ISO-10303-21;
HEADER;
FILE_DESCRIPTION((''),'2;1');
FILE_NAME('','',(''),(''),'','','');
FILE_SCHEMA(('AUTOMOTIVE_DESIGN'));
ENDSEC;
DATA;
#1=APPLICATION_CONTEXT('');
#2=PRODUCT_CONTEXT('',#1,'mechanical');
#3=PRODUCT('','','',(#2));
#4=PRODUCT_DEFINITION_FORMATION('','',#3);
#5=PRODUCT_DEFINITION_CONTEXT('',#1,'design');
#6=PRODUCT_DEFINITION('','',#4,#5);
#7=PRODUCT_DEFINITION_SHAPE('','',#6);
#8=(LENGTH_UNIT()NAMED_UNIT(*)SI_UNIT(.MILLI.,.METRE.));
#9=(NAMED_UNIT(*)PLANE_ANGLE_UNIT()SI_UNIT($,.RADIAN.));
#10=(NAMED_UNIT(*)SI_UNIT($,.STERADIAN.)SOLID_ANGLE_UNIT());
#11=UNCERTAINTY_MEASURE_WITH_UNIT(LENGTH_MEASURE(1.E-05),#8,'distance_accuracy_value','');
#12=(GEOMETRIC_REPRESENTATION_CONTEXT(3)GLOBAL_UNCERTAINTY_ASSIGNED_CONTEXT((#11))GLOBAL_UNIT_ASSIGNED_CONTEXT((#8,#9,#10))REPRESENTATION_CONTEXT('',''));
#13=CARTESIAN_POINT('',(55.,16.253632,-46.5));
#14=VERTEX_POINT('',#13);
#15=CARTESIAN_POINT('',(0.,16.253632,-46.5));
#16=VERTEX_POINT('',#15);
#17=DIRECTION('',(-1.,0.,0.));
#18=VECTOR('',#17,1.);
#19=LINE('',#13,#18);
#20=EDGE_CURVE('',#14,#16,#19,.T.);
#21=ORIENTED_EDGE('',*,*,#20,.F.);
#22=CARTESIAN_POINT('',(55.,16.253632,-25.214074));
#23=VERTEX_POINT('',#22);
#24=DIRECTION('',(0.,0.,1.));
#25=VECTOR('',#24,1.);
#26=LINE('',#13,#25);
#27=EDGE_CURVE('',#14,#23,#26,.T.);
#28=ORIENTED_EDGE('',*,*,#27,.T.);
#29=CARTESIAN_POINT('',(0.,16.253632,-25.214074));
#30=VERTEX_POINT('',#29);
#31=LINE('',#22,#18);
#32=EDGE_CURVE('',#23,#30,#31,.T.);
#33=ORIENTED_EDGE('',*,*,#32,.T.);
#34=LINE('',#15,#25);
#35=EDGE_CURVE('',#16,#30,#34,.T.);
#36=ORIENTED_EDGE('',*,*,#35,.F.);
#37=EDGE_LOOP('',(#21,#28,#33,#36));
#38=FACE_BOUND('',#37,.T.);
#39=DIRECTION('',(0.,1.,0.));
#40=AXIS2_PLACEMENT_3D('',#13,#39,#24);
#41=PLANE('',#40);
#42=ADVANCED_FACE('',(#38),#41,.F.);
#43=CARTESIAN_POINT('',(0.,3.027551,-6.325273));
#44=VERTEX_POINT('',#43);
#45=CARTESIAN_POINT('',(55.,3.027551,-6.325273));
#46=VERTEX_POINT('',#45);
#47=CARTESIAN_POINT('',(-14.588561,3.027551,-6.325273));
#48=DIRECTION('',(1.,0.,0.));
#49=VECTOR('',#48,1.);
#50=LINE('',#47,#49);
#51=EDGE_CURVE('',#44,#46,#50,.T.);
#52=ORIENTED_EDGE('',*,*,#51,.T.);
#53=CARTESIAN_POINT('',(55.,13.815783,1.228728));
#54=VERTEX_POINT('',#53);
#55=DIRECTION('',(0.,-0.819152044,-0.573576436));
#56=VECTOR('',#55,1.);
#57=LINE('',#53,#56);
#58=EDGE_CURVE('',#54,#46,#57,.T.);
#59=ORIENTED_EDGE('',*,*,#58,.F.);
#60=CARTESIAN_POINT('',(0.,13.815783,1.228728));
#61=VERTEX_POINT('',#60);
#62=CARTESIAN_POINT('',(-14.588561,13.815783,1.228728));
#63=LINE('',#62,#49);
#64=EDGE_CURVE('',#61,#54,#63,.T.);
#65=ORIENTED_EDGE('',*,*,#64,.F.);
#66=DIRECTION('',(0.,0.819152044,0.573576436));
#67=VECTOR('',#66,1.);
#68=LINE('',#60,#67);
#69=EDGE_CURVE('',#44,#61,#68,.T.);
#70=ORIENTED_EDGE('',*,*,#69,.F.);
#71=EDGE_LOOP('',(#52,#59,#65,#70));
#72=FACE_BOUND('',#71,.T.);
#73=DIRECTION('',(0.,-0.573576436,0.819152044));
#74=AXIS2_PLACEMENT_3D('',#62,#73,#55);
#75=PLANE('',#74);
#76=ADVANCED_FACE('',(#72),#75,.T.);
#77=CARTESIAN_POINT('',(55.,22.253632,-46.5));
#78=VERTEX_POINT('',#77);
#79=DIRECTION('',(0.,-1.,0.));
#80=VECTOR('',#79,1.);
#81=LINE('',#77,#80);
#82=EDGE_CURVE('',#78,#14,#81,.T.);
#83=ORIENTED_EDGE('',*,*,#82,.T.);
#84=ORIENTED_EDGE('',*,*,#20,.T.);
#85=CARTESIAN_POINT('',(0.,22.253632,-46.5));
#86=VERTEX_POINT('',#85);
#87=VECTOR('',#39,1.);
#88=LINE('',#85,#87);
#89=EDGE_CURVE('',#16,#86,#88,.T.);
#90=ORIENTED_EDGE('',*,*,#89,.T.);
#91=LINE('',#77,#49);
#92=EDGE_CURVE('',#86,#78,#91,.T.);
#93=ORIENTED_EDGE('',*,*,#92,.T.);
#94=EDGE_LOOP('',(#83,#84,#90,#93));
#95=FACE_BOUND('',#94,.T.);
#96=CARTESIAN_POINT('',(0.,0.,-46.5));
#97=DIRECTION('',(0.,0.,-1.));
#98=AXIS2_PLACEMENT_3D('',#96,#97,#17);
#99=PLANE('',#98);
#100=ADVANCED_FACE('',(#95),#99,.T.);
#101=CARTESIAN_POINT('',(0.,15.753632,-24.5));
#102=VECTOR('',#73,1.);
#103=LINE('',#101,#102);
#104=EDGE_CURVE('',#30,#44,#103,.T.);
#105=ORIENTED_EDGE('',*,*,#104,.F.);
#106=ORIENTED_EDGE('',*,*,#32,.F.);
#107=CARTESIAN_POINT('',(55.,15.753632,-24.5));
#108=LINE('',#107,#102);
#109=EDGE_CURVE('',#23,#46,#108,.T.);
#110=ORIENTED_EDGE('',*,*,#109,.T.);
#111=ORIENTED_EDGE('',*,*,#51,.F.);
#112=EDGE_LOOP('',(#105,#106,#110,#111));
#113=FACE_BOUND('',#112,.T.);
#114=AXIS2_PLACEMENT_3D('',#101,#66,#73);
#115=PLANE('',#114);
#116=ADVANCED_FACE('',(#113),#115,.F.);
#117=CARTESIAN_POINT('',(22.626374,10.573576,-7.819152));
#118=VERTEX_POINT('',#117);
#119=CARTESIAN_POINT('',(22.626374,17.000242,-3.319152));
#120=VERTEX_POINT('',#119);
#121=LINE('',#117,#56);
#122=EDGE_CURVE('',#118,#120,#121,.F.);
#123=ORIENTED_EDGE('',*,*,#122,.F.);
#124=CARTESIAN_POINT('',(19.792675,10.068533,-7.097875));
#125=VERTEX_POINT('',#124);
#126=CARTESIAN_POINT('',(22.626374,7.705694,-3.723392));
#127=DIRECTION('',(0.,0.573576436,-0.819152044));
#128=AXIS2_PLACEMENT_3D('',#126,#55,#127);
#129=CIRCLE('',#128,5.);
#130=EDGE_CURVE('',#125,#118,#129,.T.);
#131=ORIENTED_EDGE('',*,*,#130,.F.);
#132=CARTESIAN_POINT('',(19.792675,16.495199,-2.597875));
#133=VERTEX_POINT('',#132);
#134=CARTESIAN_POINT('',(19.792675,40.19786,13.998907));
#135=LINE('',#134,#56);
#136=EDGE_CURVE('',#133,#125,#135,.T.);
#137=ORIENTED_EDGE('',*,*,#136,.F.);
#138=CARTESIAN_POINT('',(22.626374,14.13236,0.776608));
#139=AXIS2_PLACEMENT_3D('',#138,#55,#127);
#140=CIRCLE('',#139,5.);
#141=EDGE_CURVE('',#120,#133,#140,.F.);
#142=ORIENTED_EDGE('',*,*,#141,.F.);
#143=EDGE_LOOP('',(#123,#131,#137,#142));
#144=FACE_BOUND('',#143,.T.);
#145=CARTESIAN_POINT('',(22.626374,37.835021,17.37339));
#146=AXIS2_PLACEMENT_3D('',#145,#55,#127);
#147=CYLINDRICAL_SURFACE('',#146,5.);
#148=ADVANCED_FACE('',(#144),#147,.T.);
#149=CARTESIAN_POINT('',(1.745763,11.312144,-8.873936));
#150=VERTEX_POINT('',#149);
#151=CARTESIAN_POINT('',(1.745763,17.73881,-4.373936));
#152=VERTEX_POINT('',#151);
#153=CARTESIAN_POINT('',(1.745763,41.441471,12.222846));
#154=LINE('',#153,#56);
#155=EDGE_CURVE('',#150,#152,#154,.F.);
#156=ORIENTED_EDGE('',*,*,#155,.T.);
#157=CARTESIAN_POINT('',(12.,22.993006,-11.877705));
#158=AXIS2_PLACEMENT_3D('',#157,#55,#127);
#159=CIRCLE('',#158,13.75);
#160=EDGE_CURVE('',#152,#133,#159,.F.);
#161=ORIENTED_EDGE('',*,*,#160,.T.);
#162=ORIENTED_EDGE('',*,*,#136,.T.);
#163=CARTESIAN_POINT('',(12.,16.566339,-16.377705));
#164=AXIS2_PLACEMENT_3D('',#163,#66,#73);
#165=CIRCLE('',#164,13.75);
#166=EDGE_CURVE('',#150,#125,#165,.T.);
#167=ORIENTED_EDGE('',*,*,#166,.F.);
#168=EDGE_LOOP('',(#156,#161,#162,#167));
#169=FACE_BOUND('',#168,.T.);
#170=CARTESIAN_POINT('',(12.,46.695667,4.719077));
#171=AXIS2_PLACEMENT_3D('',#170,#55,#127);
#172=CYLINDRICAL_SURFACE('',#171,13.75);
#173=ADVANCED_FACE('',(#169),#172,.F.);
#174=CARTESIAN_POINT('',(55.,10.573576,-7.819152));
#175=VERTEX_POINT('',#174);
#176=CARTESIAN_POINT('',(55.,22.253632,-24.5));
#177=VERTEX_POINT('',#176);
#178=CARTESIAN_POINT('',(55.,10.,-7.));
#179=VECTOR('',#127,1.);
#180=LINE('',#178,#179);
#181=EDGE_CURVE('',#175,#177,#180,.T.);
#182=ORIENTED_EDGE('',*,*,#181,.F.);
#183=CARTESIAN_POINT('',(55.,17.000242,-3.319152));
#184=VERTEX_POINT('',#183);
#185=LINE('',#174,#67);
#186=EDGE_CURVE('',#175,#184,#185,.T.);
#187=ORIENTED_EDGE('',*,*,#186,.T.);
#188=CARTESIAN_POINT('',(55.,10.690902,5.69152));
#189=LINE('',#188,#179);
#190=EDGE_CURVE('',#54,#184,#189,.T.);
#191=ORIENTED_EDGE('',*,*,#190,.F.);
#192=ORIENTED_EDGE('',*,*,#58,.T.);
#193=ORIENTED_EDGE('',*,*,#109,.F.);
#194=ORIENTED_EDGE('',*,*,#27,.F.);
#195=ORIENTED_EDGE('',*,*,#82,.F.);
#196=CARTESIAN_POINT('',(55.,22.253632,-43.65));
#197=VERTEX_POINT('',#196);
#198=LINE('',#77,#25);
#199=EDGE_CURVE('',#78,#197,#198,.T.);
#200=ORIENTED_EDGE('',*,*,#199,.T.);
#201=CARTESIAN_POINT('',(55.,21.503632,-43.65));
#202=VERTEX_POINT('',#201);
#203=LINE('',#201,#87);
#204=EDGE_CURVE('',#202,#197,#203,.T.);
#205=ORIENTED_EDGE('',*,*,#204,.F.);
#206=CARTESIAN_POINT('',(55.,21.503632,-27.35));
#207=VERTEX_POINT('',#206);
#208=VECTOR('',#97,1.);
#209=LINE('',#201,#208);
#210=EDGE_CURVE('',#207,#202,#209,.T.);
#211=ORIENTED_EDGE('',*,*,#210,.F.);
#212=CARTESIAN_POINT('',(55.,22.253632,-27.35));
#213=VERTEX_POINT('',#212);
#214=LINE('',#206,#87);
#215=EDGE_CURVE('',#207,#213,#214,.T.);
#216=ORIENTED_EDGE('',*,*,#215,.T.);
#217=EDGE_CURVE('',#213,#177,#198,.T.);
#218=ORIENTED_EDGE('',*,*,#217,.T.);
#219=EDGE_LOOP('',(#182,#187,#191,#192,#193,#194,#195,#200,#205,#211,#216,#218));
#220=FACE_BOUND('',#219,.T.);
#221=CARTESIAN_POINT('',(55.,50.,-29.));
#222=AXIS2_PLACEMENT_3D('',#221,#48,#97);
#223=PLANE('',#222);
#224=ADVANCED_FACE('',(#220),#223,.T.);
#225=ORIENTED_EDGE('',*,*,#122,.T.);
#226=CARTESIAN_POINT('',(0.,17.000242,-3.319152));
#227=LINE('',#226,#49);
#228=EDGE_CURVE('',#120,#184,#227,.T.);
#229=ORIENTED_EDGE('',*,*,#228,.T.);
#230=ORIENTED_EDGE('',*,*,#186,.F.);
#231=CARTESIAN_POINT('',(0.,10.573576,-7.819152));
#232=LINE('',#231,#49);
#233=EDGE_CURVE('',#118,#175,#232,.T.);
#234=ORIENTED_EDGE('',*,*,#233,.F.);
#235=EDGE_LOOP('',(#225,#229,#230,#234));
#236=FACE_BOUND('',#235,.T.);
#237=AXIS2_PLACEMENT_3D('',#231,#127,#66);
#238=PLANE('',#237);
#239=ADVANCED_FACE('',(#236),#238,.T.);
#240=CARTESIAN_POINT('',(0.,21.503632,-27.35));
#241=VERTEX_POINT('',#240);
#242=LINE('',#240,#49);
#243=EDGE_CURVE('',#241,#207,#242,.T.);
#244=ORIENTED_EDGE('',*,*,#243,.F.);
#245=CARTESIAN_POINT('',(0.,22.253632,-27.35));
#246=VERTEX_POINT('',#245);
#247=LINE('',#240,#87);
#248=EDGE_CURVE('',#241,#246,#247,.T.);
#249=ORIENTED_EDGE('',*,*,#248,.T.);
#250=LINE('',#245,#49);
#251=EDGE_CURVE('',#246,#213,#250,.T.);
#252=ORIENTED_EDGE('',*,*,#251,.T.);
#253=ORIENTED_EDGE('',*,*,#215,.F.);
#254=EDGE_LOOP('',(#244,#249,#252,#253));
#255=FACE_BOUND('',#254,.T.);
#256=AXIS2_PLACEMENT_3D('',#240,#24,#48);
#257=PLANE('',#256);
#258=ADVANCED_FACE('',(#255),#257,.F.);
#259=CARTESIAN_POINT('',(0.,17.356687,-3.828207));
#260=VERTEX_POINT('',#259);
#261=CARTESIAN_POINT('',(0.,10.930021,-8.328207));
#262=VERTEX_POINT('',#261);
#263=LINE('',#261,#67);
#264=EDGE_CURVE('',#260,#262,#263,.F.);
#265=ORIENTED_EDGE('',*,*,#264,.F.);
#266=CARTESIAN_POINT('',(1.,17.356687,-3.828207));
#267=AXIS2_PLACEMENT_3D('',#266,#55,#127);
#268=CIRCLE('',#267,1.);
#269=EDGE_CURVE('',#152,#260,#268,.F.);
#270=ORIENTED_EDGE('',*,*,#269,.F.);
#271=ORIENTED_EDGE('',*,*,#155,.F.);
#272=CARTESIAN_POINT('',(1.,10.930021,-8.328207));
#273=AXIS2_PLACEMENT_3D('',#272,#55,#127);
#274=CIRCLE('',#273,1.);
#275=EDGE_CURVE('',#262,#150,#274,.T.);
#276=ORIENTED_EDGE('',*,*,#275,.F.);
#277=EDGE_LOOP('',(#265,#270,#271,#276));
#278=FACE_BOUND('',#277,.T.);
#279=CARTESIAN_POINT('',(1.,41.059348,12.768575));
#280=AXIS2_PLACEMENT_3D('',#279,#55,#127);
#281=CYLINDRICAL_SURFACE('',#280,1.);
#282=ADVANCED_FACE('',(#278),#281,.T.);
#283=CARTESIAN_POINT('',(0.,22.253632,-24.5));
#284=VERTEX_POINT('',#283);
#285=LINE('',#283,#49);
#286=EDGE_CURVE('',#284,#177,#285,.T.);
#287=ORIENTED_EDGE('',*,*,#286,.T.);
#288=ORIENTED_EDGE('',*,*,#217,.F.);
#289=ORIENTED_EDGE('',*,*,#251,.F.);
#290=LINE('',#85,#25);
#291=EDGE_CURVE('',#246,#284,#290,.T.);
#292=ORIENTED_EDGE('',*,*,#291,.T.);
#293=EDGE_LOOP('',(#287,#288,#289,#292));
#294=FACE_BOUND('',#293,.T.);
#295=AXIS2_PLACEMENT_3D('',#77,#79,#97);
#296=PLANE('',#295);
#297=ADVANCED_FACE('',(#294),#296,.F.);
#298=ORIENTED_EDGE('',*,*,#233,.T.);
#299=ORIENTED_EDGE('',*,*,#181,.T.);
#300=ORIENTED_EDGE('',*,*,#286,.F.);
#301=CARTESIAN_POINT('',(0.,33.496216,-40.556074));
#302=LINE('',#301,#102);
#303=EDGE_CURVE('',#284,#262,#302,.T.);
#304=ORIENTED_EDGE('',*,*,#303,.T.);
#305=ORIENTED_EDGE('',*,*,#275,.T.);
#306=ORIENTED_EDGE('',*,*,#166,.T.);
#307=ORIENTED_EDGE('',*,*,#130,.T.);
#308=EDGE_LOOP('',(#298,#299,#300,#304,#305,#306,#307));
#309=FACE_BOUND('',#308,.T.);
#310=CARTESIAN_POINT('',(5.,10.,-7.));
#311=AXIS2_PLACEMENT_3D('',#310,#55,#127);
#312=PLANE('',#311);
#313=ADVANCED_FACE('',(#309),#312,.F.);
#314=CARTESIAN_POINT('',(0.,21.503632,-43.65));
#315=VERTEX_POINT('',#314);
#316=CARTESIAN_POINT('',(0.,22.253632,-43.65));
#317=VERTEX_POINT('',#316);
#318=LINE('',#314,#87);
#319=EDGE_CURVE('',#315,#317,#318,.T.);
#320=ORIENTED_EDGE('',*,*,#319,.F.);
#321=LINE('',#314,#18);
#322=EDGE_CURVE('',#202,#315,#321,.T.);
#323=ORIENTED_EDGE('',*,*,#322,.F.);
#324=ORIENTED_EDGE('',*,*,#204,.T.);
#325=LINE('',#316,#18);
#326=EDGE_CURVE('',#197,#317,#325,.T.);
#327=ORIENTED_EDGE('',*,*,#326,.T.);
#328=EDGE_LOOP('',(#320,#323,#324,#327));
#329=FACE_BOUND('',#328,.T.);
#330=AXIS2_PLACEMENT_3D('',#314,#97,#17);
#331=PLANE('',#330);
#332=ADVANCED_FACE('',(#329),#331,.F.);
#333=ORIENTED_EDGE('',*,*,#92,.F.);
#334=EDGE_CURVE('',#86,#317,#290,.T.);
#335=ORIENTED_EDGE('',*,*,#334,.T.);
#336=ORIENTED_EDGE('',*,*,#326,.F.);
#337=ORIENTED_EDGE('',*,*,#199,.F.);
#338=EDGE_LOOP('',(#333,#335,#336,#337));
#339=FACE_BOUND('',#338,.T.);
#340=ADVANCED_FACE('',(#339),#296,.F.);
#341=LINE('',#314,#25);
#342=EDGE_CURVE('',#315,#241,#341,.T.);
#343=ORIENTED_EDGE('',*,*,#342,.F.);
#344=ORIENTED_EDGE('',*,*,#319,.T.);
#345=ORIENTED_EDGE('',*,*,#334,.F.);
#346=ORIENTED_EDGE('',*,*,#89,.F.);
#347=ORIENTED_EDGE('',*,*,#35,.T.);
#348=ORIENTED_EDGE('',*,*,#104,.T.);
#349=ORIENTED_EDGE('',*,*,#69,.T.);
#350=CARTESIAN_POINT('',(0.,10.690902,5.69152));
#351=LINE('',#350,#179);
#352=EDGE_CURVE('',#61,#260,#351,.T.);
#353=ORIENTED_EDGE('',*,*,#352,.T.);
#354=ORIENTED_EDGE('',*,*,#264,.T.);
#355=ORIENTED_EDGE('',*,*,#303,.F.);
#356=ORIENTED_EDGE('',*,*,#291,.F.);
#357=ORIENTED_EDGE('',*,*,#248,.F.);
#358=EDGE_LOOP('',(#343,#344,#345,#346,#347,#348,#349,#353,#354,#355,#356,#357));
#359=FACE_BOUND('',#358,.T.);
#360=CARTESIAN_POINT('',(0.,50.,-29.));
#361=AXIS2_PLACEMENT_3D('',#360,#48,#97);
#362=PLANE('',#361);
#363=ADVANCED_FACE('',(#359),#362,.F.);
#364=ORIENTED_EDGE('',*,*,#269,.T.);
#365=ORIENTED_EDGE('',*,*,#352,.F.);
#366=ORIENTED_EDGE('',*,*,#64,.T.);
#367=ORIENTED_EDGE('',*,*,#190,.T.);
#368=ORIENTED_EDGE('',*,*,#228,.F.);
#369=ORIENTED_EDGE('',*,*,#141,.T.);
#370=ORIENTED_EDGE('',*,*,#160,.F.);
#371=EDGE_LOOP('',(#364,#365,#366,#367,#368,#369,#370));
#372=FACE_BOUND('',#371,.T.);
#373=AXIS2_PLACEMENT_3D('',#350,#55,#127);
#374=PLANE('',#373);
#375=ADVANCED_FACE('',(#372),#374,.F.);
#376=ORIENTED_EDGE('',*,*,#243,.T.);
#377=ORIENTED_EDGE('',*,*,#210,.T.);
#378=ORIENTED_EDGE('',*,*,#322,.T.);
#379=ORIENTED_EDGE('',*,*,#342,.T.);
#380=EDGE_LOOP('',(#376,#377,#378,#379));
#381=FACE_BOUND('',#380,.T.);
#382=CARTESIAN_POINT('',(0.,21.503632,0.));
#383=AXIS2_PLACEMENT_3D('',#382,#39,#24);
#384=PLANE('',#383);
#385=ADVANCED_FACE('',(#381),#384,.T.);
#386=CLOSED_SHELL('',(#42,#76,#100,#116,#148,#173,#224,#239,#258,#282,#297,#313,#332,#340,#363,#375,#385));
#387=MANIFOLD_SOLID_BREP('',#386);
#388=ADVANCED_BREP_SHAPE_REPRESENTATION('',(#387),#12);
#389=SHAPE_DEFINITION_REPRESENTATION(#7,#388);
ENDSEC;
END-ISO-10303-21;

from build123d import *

# Parameters (mm, degrees)
SKETCH1_W           = 55
SKETCH1_H           = 29
BOSS_EXTRUDE1_DEPTH = 50
CUT_EXTRUDE1_DEPTH  = 50
CUT_EXTRUDE2_DEPTH  = 80.787217021
BOSS_EXTRUDE2_REACH = 81.787
SKETCH6_R           = 13.75
CUT_EXTRUDE3_DEPTH  = 79.614669909
CUT_EXTRUDE4_DEPTH  = 80.787217021
SKETCH8_R           = 6
CUT_EXTRUDE5_DEPTH  = 68.166896352
CUT_EXTRUDE6_DEPTH  = 68.166896352
SKETCH10_W          = 55
SKETCH10_H          = 4.5
CUT_EXTRUDE7_DEPTH  = 67.039564911
FILLET5_R           = 1
FILLET6_R           = 5
CUT_EXTRUDE8_DEPTH  = 65.190919401
SKETCH17_W          = 55
SKETCH17_H          = 6
BOSS_EXTRUDE4_DEPTH = 22
BOSS_EXTRUDE5_DEPTH = 55
SKETCH19_W          = 55
SKETCH19_H          = 16.3
CUT_EXTRUDE9_DEPTH  = 0.75
BOSS_EXTRUDE6_DEPTH = 55


with BuildPart() as part:
    # Sketch1 → Boss-Extrude1 (new body)
    with BuildSketch(Plane(origin=(0, 0, 0), x_dir=(1, 0, 0), z_dir=(0, 1, 0))):
        with Locations((27.5, 14.5)):
            Rectangle(SKETCH1_W, SKETCH1_H)
    extrude(amount=BOSS_EXTRUDE1_DEPTH)

    # Sketch4 → Cut-Extrude1 (cut)
    with BuildSketch(Plane(origin=(55, 0, 0), x_dir=(0, 0, -1), z_dir=(1, 0, 0))):
        Polygon((-21.678821818, 50.957602214), (19.278780397, 79.636424032), (47.957602214, 38.678821818), (7, 10), align=None)
    extrude(amount=-CUT_EXTRUDE1_DEPTH, mode=Mode.SUBTRACT)

    # Sketch5 → Cut-Extrude2 (cut, through all)
    with BuildSketch(Plane(origin=(55, 0, 0), x_dir=(0, 0, -1), z_dir=(1, 0, 0))):
        Polygon((-11.427284806, 18.88242211), (-3.235764364, 24.618186473), (2.5, 16.42666603), (-5.691520443, 10.690901667), align=None)
    extrude(amount=-CUT_EXTRUDE2_DEPTH, mode=Mode.SUBTRACT)

    # Sketch12 → Boss-Extrude2 (add, up to next)
    with BuildSketch(Plane(origin=(55, 0, 0), x_dir=(0, 0, -1), z_dir=(1, 0, 0)), mode=Mode.PRIVATE) as boss_extrude2_sk1:
        Polygon((2.5, 16.42666603), (7, 10), (7.819152044, 10.573576436), (3.319152044, 17.000242467), align=None)
    boss_extrude2_tool1 = extrude(boss_extrude2_sk1.sketch, amount=-BOSS_EXTRUDE2_REACH, mode=Mode.PRIVATE) - part.part
    add(boss_extrude2_tool1.solids().sort_by_distance((55, 13.500121, -5.159576))[0])

    # Sketch6 → Cut-Extrude3 (cut, through all)
    with BuildSketch(Plane(origin=(0, 3.421176544, 2.395533606), x_dir=(1, 0, 0), z_dir=(0, 0.8191520442889949, 0.5735764363510418))):
        with Locations((12, 22.917892202)):
            Circle(SKETCH6_R)
    extrude(amount=CUT_EXTRUDE3_DEPTH, mode=Mode.SUBTRACT)

    # Sketch7 → Cut-Extrude4 (cut, through all)
    with BuildSketch(Plane(origin=(55, 0, 0), x_dir=(0, 0, -1), z_dir=(1, 0, 0))):
        Polygon((0, 14.676147185), (6.378851002, 19.142666742), (10.878851002, 12.716000711), (85.085630618, 64.676147185), (25.408423261, 64.676147185), (0, 64.676147185), align=None)
    extrude(amount=-CUT_EXTRUDE4_DEPTH, mode=Mode.SUBTRACT)

    # Sketch8 → Cut-Extrude5 (cut, through all)
    with BuildSketch(Plane(origin=(0, 0, 0), x_dir=(1, 0, 0), z_dir=(0, 1, 0))):
        with Locations((25.75, 30.5)):
            Circle(SKETCH8_R)
    extrude(amount=CUT_EXTRUDE5_DEPTH, mode=Mode.SUBTRACT)

    # Sketch9 → Cut-Extrude6 (cut, through all)
    with BuildSketch(Plane(origin=(55, 0, 0), x_dir=(0, 0, -1), z_dir=(1, 0, 0))):
        Polygon((24.5, 22.253631919), (29, 22.253631919), (29, 25.404565841), align=None)
    extrude(amount=-CUT_EXTRUDE6_DEPTH, mode=Mode.SUBTRACT)

    # Sketch10 → Cut-Extrude7 (cut, through all)
    with BuildSketch(Plane(origin=(0, 0, 0), x_dir=(1, 0, 0), z_dir=(0, 1, 0))):
        with Locations((27.5, 26.75)):
            Rectangle(SKETCH10_W, SKETCH10_H)
    extrude(amount=CUT_EXTRUDE7_DEPTH, mode=Mode.SUBTRACT)

    # Fillet5
    fillet5_edges = [part.edges().sort_by_distance(p)[0] for p in [
        (0, 15.929333726, -8.628851002),
    ]]
    fillet(fillet5_edges, radius=FILLET5_R)

    # Fillet6
    fillet6_edges = [part.edges().sort_by_distance(p)[0] for p in [
        (20.938706199, 13.786909452, -5.569152044),
    ]]
    fillet(fillet6_edges, radius=FILLET6_R)

    # Sketch16 → Cut-Extrude8 (cut, through all)
    with BuildSketch(Plane(origin=(55, 0, 0), x_dir=(0, 0, -1), z_dir=(1, 0, 0))):
        Polygon((24.5, 15.753631919), (7.554001018, 3.887915689), (0, 14.676147185), (0, 0), (24.5, 0), align=None)
    extrude(amount=-CUT_EXTRUDE8_DEPTH, mode=Mode.SUBTRACT)

    # Sketch17 → Boss-Extrude4 (add)
    with BuildSketch(Plane(origin=(0, 0, -24.5), x_dir=(-1, 0, 0), z_dir=(0, 0, -1))):
        with Locations((-27.5, 19.253631919)):
            Rectangle(SKETCH17_W, SKETCH17_H)
    extrude(amount=BOSS_EXTRUDE4_DEPTH)

    # Sketch18 → Boss-Extrude5 (add)
    with BuildSketch(Plane(origin=(55, 0, 0), x_dir=(0, 0, -1), z_dir=(1, 0, 0))):
        Polygon((16.027000509, 9.820773804), (33.782962044, 22.253631919), (24.5, 22.253631919), (12.972999491, 14.182339269), align=None)
    extrude(amount=-BOSS_EXTRUDE5_DEPTH)

    # Sketch19 → Cut-Extrude9 (cut)
    with BuildSketch(Plane(origin=(0, 22.253631919, 0), x_dir=(1, 0, 0), z_dir=(0, 1, 0))):
        with Locations((27.5, 35.5)):
            Rectangle(SKETCH19_W, SKETCH19_H)
    extrude(amount=-CUT_EXTRUDE9_DEPTH, mode=Mode.SUBTRACT)

    # Sketch20 → Boss-Extrude6 (add)
    with BuildSketch(Plane(origin=(55, 0, 0), x_dir=(0, 0, -1), z_dir=(1, 0, 0))):
        Polygon((0, 14.676147185), (-1.228728066, 13.81578253), (6.325272951, 3.027551034), (7.554001018, 3.887915689), align=None)
    extrude(amount=-BOSS_EXTRUDE6_DEPTH)


solid = part.part
